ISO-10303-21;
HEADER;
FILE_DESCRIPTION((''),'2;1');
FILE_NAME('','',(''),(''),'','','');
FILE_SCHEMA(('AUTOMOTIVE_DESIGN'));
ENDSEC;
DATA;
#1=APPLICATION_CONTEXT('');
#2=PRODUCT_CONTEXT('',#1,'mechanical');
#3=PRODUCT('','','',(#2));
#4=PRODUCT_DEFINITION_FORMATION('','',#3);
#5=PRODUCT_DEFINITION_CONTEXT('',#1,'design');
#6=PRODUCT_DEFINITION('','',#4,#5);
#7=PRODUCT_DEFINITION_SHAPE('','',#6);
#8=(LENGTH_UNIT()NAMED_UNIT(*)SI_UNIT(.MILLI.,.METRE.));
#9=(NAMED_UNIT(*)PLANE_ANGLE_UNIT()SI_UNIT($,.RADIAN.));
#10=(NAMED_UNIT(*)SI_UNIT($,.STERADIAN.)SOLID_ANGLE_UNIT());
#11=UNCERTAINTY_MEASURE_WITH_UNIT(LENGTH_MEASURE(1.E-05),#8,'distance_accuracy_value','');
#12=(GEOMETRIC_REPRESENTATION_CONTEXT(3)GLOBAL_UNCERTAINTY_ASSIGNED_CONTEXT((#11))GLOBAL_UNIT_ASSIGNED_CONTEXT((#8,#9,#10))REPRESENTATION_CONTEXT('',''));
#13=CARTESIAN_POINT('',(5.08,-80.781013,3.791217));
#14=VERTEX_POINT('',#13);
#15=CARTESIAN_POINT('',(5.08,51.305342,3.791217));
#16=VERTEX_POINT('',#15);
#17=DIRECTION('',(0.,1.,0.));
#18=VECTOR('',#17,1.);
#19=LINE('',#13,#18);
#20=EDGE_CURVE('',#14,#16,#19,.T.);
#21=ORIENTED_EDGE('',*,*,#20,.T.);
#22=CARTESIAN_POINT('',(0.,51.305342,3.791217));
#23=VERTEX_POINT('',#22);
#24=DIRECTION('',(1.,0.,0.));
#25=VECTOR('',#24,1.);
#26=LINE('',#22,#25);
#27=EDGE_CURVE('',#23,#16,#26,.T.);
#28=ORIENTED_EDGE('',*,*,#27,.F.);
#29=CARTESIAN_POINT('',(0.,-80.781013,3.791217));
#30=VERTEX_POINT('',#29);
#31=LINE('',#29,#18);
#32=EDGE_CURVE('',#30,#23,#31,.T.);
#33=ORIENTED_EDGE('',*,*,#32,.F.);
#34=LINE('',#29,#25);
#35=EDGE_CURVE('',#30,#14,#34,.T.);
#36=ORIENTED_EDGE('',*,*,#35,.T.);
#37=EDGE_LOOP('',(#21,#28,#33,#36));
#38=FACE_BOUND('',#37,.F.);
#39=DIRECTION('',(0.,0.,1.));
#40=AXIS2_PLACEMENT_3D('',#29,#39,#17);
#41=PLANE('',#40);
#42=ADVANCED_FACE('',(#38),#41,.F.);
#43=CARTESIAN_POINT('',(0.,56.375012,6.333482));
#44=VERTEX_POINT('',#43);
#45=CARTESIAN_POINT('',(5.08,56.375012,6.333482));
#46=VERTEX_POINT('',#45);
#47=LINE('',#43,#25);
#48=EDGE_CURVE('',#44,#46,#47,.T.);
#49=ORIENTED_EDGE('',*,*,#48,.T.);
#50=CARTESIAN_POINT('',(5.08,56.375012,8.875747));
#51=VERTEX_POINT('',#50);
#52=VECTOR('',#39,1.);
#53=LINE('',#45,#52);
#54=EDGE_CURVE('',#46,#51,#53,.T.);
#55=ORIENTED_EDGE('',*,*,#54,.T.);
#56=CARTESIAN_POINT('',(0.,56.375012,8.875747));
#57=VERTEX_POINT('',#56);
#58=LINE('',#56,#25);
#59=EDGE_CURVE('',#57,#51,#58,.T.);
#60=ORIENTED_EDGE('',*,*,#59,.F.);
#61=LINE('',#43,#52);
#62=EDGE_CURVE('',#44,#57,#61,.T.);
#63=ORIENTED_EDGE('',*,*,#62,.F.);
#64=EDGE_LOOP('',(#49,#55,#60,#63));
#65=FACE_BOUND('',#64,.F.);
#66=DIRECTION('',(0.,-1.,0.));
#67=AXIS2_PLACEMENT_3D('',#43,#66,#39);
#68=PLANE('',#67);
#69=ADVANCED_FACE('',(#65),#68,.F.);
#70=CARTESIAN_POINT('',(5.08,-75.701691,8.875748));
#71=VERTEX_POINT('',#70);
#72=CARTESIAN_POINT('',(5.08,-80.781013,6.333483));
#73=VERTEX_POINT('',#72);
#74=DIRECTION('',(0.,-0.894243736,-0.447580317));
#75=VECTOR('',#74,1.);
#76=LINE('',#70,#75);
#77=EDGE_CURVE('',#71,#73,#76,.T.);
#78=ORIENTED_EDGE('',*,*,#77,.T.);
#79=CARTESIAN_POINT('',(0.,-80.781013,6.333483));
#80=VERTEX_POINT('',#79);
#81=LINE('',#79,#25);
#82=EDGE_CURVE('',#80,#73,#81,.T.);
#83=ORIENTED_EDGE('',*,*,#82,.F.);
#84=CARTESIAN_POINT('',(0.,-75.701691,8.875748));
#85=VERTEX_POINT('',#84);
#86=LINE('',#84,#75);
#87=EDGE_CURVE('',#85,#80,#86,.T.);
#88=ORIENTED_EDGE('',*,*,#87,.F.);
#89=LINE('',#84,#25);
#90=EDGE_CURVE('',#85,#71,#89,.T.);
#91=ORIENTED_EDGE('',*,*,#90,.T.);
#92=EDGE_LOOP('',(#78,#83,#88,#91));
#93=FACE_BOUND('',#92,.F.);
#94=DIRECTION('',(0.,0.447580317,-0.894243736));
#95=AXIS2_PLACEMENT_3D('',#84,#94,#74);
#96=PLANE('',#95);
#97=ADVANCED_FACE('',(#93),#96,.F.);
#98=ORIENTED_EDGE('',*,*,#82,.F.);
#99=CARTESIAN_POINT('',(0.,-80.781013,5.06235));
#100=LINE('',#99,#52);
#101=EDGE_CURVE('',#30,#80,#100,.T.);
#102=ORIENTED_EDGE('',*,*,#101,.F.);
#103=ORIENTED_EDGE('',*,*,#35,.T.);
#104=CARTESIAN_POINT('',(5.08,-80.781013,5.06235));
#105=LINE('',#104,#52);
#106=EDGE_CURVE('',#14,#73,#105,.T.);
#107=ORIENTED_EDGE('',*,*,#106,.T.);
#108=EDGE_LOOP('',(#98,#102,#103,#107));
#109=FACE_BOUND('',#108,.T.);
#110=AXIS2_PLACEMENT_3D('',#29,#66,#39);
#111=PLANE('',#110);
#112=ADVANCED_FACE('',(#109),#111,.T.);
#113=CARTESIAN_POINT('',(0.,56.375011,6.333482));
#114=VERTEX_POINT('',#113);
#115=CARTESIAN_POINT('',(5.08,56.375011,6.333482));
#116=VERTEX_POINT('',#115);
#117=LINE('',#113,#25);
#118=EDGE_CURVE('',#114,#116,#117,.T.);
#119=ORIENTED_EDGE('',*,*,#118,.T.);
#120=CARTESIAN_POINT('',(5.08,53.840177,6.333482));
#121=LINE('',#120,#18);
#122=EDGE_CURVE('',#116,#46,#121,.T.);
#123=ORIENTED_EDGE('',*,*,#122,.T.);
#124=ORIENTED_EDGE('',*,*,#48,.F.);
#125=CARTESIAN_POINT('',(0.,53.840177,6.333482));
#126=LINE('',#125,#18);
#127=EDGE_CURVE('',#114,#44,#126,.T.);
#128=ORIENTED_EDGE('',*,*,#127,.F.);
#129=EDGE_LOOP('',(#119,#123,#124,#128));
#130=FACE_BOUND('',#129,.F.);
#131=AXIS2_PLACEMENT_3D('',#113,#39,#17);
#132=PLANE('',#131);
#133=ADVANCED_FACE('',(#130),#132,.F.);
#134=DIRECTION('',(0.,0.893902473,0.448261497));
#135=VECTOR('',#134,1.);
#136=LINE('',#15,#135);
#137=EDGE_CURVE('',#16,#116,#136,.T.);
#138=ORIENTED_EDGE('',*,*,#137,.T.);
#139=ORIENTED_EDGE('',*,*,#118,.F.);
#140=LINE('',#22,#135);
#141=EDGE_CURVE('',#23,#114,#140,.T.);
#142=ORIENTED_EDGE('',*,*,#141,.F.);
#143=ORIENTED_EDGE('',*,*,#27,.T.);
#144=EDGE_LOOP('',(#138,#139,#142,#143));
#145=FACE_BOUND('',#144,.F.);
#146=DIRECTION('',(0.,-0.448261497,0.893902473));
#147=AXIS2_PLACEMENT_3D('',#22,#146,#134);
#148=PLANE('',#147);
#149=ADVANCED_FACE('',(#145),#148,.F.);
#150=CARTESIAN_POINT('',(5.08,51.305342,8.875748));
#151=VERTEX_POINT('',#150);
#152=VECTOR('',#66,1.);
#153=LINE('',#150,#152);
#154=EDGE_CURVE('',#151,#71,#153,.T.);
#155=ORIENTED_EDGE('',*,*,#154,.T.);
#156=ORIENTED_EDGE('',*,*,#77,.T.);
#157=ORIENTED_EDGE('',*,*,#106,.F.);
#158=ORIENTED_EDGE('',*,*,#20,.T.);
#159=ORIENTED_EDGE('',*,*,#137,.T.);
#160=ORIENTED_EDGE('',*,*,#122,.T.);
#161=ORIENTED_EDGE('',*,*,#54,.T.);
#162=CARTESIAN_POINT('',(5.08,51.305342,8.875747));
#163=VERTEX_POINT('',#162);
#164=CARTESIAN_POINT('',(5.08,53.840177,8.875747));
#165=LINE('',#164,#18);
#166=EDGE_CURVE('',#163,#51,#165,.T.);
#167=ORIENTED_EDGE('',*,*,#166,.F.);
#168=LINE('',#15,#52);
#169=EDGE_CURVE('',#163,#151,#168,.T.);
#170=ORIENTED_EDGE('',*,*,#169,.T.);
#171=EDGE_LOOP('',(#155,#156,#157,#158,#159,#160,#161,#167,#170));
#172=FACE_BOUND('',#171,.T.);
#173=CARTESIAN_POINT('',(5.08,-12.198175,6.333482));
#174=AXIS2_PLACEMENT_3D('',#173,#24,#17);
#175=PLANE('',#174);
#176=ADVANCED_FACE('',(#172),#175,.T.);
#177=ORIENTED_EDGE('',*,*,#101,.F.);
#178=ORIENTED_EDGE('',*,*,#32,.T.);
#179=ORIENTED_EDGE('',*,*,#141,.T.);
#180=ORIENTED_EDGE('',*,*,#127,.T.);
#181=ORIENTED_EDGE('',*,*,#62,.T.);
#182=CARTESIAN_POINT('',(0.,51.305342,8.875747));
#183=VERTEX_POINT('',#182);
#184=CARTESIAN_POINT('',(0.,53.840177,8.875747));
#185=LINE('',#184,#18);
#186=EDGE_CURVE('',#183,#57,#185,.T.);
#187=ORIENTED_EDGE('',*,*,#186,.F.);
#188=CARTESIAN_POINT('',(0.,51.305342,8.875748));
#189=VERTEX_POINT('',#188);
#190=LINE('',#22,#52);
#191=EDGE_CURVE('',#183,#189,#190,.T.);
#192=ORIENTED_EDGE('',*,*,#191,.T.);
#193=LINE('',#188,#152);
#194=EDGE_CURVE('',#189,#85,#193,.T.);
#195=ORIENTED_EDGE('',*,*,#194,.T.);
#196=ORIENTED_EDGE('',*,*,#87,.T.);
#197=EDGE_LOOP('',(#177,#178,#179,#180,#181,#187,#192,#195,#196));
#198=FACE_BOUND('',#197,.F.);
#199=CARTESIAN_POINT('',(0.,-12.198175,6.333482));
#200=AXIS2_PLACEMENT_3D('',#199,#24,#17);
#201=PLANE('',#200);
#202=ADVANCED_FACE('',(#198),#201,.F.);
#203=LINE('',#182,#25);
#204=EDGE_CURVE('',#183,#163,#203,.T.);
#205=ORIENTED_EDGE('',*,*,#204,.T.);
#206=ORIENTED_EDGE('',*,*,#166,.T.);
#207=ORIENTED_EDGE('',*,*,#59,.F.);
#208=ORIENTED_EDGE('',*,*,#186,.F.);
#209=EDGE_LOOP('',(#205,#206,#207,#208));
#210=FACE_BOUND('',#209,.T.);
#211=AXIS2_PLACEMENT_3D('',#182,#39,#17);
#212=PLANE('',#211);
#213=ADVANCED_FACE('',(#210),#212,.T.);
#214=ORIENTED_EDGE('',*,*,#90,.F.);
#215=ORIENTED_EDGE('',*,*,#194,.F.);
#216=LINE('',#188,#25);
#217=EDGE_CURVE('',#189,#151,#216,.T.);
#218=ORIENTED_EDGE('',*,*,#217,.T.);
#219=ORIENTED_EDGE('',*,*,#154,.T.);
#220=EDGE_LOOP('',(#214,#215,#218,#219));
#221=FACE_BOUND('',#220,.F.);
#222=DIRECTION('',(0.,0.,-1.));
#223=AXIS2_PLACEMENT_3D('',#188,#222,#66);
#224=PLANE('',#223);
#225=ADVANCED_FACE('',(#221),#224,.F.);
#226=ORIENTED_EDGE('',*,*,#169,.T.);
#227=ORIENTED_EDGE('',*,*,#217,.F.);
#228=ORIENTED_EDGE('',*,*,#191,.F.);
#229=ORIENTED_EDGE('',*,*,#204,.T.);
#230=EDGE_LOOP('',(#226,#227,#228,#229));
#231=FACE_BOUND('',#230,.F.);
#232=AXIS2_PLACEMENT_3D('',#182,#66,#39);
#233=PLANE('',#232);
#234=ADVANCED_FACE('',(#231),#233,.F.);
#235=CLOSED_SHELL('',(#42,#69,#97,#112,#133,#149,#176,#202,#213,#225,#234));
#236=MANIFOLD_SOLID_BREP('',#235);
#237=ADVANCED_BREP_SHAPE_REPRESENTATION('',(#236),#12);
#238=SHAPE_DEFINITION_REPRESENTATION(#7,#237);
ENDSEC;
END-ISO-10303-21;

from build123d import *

# Parameters (mm, degrees)
F0_W     = 5.06967
F0_H     = 2.542265
F0_W_2   = 5.079322
F0_H_2   = 2.542266
F1_DEPTH = 5.08


with BuildPart() as f1:
    # F0 (on Right) → F1 (new body)
    with BuildSketch(Plane.YZ):
        Polygon((51.305342, 8.875748), (-75.701691, 8.875748), (-75.701691, 6.333483), (-75.701691, 3.791217), (51.305342, 3.791217), (51.305342, 6.333483), align=None)
        Polygon((-75.701691, 6.333483), (-75.701691, 8.875748), (-80.781013, 6.333483), align=None)
        with Locations((53.840177, 7.604615)):
            Rectangle(F0_W, F0_H)
        with Locations((-78.241352, 5.06235)):
            Rectangle(F0_W_2, F0_H_2)
        Polygon((56.375012, 6.333483), (51.305342, 6.333483), (51.305342, 3.791217), align=None)
    extrude(amount=F1_DEPTH)


solid = f1.part
